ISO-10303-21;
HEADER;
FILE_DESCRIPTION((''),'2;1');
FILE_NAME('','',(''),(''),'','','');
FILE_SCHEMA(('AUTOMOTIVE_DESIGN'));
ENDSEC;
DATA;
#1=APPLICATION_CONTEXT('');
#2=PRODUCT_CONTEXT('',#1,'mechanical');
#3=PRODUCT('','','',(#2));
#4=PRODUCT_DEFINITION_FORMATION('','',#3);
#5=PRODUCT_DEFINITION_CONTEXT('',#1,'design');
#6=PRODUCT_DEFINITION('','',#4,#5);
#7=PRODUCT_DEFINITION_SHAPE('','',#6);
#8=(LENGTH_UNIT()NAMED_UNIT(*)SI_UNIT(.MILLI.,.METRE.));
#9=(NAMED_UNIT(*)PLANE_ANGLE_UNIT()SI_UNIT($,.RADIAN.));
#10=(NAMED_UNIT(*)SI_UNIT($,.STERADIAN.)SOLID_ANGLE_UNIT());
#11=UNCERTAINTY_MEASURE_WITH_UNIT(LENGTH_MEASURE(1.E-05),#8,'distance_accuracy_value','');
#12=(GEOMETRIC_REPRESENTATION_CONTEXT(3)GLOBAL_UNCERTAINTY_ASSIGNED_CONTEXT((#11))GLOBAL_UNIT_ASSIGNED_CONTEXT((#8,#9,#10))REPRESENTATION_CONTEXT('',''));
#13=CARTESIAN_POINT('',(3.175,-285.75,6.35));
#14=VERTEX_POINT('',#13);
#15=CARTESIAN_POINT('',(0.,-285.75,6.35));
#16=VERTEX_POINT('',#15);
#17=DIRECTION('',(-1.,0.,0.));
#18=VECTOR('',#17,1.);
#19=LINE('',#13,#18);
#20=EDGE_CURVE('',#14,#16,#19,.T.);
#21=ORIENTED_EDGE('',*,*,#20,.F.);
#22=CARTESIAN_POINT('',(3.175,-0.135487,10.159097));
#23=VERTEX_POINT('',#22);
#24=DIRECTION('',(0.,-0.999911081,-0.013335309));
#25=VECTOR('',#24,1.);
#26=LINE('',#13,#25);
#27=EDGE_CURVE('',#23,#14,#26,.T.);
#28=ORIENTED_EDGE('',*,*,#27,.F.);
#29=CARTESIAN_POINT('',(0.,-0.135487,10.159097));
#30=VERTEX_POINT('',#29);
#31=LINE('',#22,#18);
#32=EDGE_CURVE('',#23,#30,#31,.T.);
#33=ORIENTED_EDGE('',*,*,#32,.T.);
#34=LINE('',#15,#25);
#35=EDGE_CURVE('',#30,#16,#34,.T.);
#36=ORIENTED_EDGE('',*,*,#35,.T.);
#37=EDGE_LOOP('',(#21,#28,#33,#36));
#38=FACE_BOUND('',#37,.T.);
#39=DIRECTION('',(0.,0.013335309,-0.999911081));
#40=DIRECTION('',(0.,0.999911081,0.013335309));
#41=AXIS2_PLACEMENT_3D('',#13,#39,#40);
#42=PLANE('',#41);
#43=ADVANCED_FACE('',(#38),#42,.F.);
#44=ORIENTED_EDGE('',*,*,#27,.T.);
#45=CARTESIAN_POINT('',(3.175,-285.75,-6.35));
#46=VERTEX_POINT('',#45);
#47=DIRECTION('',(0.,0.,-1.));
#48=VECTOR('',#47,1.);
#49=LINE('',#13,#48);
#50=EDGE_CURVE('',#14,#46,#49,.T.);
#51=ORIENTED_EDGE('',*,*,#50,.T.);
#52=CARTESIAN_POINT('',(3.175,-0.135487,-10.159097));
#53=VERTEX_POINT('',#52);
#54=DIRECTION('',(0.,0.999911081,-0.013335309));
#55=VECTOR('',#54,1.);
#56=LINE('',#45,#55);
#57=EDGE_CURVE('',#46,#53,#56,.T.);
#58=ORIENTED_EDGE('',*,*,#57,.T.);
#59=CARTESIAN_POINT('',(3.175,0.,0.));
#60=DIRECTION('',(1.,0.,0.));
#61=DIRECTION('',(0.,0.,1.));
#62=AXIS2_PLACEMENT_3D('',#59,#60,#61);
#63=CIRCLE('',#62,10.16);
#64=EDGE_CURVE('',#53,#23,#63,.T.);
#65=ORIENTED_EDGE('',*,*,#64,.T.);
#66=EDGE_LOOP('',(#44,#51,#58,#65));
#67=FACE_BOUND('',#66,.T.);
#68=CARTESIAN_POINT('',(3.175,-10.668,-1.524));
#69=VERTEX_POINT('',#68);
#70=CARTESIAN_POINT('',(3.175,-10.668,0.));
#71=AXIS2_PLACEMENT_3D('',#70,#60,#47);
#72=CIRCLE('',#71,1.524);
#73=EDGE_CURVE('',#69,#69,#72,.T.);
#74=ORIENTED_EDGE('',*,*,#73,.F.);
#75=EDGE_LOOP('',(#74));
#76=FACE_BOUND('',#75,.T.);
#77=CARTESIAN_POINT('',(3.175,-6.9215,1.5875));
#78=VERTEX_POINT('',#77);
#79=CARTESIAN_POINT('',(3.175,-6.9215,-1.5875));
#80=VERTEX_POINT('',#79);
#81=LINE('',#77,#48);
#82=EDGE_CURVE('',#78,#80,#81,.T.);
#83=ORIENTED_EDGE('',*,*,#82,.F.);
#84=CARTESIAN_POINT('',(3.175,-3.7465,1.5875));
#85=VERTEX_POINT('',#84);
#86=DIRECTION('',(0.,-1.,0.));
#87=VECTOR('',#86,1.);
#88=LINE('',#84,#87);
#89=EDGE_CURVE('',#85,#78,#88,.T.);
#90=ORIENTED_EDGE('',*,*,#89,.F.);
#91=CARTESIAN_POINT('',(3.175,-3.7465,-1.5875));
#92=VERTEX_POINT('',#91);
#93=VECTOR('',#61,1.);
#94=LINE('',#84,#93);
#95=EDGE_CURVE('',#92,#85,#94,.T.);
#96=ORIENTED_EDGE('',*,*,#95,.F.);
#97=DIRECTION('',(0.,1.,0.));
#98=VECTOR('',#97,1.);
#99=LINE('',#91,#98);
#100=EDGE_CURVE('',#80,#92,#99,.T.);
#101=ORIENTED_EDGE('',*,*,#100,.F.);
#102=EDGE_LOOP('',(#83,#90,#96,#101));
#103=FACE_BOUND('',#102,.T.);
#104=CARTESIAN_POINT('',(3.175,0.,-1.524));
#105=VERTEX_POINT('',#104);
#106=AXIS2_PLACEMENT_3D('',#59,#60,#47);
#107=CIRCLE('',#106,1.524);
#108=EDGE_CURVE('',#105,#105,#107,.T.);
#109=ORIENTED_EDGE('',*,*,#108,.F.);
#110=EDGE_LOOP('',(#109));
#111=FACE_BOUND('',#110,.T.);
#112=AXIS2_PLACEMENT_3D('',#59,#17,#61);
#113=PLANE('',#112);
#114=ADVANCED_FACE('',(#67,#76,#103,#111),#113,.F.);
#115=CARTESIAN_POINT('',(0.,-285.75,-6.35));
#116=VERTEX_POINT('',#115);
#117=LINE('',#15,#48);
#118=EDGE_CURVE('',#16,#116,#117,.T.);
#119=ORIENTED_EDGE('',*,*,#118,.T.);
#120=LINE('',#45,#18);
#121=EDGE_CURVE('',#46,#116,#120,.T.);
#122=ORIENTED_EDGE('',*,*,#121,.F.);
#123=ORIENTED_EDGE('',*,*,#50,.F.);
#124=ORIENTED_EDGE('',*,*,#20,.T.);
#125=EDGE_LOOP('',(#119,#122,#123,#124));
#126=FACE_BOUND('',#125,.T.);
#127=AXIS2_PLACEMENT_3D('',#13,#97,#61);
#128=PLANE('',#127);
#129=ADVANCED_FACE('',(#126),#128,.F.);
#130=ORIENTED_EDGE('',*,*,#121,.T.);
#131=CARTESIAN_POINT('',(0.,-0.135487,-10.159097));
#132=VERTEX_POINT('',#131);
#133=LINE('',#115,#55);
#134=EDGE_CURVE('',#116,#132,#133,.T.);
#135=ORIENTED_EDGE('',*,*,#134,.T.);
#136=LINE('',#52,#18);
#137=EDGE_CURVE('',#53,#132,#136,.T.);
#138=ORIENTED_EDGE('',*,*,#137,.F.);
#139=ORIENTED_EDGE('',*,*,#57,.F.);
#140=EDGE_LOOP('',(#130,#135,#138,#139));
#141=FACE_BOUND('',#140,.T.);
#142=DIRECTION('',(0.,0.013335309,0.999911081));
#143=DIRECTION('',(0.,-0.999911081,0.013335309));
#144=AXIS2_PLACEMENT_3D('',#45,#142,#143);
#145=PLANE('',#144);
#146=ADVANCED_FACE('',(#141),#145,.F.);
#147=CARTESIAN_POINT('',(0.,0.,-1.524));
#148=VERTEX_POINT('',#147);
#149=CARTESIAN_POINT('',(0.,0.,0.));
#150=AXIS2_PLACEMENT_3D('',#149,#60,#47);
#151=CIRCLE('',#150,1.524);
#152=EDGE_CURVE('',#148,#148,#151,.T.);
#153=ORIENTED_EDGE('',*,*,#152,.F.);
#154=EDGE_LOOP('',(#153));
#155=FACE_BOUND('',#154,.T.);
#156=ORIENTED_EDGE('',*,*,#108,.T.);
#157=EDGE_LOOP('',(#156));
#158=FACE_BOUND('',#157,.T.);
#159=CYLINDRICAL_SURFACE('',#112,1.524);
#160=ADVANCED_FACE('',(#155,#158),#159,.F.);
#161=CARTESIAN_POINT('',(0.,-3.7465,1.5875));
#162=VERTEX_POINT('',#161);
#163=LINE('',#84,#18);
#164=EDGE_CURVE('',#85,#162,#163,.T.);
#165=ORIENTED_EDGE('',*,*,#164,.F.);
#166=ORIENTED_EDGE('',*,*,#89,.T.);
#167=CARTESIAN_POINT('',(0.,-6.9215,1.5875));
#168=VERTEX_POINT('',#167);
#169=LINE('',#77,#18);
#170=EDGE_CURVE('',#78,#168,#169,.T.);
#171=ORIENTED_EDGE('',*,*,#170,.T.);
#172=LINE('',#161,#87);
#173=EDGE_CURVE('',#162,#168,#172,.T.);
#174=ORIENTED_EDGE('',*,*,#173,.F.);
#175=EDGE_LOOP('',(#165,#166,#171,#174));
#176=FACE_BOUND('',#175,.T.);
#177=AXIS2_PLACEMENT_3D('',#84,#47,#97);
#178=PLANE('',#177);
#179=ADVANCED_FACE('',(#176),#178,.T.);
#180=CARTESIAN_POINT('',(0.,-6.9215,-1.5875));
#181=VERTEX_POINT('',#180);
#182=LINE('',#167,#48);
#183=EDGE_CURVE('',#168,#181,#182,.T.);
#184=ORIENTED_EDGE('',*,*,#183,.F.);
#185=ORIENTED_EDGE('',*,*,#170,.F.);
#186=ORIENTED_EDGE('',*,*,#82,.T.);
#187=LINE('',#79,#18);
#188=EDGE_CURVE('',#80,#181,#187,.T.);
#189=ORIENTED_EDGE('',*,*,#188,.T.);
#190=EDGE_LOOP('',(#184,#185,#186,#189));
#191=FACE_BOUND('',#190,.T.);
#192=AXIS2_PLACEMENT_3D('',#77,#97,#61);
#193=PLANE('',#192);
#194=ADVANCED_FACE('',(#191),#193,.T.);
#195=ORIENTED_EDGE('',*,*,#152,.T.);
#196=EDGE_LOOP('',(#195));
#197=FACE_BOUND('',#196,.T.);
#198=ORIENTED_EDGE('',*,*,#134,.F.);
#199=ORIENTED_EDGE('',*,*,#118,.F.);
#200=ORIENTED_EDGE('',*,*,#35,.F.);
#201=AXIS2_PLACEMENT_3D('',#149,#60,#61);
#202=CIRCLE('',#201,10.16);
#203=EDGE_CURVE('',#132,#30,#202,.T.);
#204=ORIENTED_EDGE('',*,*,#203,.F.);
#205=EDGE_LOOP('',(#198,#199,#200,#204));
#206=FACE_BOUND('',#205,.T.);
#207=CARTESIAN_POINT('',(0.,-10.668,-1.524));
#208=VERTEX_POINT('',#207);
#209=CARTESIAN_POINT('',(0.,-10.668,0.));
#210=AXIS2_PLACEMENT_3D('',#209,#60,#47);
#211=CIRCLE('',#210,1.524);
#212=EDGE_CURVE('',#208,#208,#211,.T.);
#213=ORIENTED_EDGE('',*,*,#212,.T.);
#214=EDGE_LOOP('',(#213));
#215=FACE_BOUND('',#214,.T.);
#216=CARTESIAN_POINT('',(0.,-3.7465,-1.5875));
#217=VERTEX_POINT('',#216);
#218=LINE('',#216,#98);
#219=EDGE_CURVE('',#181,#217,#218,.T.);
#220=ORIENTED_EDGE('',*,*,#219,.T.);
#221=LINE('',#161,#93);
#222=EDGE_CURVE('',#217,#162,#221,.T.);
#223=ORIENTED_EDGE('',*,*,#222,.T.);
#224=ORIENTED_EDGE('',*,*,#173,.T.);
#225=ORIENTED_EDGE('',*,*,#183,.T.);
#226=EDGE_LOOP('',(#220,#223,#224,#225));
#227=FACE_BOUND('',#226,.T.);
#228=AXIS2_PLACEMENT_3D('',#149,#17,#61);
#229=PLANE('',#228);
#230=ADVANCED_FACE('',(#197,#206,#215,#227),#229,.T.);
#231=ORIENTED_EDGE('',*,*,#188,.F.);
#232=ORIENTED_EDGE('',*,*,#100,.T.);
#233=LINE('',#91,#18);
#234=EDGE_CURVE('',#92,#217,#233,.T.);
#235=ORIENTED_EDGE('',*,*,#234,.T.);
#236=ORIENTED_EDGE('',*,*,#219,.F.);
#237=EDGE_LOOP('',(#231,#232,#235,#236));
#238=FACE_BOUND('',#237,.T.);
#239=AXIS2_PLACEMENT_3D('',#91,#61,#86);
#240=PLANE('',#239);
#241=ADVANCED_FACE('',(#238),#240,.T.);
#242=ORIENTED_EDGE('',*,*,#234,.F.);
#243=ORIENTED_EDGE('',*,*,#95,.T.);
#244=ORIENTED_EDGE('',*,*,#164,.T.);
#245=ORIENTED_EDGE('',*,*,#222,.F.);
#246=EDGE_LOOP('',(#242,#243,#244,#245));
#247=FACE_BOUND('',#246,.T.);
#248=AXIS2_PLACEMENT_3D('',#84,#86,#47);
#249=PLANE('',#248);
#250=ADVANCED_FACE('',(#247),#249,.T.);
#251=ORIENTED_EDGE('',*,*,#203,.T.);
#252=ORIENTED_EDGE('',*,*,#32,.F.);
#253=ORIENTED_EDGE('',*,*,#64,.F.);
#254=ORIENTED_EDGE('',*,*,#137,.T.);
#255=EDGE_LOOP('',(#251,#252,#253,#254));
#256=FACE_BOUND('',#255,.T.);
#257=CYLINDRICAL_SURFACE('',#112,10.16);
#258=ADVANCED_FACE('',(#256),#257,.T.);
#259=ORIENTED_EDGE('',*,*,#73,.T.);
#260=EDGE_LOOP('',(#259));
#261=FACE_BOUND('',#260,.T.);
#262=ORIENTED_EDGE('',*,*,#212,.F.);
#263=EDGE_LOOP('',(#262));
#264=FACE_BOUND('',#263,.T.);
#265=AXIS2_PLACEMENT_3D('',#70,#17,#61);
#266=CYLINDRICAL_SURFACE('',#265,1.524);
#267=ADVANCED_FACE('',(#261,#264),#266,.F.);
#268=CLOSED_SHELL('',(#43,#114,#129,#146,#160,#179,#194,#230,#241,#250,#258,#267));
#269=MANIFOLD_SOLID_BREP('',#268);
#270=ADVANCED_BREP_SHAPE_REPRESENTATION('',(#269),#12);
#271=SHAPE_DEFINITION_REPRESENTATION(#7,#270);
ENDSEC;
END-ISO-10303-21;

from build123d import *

# Parameters (mm, degrees)
SKETCH1_R           = 1.524
SKETCH1_W           = 3.175
SKETCH1_H           = 3.175
BOSS_EXTRUDE1_DEPTH = 3.175


with BuildPart() as part:
    # Sketch1 → Boss-Extrude1 (new body)
    with BuildSketch(Plane(origin=(0, 0, 0), x_dir=(0, 0, -1), z_dir=(1, 0, 0))):
        with BuildLine():
            Line((-6.35, -285.75), (6.35, -285.75))
            Line((6.35, -285.75), (10.159096581, -0.135486743))
            ThreePointArc((10.159096581, -0.135486743), (0, 10.16), (-10.159096581, -0.135486743))
            Line((-10.159096581, -0.135486743), (-6.35, -285.75))
        make_face()
        Circle(SKETCH1_R, mode=Mode.SUBTRACT)
        with Locations((0, -10.668)):
            Circle(SKETCH1_R, mode=Mode.SUBTRACT)
        with Locations((0, -5.334)):
            Rectangle(SKETCH1_W, SKETCH1_H, mode=Mode.SUBTRACT)
    extrude(amount=BOSS_EXTRUDE1_DEPTH)


solid = part.part
